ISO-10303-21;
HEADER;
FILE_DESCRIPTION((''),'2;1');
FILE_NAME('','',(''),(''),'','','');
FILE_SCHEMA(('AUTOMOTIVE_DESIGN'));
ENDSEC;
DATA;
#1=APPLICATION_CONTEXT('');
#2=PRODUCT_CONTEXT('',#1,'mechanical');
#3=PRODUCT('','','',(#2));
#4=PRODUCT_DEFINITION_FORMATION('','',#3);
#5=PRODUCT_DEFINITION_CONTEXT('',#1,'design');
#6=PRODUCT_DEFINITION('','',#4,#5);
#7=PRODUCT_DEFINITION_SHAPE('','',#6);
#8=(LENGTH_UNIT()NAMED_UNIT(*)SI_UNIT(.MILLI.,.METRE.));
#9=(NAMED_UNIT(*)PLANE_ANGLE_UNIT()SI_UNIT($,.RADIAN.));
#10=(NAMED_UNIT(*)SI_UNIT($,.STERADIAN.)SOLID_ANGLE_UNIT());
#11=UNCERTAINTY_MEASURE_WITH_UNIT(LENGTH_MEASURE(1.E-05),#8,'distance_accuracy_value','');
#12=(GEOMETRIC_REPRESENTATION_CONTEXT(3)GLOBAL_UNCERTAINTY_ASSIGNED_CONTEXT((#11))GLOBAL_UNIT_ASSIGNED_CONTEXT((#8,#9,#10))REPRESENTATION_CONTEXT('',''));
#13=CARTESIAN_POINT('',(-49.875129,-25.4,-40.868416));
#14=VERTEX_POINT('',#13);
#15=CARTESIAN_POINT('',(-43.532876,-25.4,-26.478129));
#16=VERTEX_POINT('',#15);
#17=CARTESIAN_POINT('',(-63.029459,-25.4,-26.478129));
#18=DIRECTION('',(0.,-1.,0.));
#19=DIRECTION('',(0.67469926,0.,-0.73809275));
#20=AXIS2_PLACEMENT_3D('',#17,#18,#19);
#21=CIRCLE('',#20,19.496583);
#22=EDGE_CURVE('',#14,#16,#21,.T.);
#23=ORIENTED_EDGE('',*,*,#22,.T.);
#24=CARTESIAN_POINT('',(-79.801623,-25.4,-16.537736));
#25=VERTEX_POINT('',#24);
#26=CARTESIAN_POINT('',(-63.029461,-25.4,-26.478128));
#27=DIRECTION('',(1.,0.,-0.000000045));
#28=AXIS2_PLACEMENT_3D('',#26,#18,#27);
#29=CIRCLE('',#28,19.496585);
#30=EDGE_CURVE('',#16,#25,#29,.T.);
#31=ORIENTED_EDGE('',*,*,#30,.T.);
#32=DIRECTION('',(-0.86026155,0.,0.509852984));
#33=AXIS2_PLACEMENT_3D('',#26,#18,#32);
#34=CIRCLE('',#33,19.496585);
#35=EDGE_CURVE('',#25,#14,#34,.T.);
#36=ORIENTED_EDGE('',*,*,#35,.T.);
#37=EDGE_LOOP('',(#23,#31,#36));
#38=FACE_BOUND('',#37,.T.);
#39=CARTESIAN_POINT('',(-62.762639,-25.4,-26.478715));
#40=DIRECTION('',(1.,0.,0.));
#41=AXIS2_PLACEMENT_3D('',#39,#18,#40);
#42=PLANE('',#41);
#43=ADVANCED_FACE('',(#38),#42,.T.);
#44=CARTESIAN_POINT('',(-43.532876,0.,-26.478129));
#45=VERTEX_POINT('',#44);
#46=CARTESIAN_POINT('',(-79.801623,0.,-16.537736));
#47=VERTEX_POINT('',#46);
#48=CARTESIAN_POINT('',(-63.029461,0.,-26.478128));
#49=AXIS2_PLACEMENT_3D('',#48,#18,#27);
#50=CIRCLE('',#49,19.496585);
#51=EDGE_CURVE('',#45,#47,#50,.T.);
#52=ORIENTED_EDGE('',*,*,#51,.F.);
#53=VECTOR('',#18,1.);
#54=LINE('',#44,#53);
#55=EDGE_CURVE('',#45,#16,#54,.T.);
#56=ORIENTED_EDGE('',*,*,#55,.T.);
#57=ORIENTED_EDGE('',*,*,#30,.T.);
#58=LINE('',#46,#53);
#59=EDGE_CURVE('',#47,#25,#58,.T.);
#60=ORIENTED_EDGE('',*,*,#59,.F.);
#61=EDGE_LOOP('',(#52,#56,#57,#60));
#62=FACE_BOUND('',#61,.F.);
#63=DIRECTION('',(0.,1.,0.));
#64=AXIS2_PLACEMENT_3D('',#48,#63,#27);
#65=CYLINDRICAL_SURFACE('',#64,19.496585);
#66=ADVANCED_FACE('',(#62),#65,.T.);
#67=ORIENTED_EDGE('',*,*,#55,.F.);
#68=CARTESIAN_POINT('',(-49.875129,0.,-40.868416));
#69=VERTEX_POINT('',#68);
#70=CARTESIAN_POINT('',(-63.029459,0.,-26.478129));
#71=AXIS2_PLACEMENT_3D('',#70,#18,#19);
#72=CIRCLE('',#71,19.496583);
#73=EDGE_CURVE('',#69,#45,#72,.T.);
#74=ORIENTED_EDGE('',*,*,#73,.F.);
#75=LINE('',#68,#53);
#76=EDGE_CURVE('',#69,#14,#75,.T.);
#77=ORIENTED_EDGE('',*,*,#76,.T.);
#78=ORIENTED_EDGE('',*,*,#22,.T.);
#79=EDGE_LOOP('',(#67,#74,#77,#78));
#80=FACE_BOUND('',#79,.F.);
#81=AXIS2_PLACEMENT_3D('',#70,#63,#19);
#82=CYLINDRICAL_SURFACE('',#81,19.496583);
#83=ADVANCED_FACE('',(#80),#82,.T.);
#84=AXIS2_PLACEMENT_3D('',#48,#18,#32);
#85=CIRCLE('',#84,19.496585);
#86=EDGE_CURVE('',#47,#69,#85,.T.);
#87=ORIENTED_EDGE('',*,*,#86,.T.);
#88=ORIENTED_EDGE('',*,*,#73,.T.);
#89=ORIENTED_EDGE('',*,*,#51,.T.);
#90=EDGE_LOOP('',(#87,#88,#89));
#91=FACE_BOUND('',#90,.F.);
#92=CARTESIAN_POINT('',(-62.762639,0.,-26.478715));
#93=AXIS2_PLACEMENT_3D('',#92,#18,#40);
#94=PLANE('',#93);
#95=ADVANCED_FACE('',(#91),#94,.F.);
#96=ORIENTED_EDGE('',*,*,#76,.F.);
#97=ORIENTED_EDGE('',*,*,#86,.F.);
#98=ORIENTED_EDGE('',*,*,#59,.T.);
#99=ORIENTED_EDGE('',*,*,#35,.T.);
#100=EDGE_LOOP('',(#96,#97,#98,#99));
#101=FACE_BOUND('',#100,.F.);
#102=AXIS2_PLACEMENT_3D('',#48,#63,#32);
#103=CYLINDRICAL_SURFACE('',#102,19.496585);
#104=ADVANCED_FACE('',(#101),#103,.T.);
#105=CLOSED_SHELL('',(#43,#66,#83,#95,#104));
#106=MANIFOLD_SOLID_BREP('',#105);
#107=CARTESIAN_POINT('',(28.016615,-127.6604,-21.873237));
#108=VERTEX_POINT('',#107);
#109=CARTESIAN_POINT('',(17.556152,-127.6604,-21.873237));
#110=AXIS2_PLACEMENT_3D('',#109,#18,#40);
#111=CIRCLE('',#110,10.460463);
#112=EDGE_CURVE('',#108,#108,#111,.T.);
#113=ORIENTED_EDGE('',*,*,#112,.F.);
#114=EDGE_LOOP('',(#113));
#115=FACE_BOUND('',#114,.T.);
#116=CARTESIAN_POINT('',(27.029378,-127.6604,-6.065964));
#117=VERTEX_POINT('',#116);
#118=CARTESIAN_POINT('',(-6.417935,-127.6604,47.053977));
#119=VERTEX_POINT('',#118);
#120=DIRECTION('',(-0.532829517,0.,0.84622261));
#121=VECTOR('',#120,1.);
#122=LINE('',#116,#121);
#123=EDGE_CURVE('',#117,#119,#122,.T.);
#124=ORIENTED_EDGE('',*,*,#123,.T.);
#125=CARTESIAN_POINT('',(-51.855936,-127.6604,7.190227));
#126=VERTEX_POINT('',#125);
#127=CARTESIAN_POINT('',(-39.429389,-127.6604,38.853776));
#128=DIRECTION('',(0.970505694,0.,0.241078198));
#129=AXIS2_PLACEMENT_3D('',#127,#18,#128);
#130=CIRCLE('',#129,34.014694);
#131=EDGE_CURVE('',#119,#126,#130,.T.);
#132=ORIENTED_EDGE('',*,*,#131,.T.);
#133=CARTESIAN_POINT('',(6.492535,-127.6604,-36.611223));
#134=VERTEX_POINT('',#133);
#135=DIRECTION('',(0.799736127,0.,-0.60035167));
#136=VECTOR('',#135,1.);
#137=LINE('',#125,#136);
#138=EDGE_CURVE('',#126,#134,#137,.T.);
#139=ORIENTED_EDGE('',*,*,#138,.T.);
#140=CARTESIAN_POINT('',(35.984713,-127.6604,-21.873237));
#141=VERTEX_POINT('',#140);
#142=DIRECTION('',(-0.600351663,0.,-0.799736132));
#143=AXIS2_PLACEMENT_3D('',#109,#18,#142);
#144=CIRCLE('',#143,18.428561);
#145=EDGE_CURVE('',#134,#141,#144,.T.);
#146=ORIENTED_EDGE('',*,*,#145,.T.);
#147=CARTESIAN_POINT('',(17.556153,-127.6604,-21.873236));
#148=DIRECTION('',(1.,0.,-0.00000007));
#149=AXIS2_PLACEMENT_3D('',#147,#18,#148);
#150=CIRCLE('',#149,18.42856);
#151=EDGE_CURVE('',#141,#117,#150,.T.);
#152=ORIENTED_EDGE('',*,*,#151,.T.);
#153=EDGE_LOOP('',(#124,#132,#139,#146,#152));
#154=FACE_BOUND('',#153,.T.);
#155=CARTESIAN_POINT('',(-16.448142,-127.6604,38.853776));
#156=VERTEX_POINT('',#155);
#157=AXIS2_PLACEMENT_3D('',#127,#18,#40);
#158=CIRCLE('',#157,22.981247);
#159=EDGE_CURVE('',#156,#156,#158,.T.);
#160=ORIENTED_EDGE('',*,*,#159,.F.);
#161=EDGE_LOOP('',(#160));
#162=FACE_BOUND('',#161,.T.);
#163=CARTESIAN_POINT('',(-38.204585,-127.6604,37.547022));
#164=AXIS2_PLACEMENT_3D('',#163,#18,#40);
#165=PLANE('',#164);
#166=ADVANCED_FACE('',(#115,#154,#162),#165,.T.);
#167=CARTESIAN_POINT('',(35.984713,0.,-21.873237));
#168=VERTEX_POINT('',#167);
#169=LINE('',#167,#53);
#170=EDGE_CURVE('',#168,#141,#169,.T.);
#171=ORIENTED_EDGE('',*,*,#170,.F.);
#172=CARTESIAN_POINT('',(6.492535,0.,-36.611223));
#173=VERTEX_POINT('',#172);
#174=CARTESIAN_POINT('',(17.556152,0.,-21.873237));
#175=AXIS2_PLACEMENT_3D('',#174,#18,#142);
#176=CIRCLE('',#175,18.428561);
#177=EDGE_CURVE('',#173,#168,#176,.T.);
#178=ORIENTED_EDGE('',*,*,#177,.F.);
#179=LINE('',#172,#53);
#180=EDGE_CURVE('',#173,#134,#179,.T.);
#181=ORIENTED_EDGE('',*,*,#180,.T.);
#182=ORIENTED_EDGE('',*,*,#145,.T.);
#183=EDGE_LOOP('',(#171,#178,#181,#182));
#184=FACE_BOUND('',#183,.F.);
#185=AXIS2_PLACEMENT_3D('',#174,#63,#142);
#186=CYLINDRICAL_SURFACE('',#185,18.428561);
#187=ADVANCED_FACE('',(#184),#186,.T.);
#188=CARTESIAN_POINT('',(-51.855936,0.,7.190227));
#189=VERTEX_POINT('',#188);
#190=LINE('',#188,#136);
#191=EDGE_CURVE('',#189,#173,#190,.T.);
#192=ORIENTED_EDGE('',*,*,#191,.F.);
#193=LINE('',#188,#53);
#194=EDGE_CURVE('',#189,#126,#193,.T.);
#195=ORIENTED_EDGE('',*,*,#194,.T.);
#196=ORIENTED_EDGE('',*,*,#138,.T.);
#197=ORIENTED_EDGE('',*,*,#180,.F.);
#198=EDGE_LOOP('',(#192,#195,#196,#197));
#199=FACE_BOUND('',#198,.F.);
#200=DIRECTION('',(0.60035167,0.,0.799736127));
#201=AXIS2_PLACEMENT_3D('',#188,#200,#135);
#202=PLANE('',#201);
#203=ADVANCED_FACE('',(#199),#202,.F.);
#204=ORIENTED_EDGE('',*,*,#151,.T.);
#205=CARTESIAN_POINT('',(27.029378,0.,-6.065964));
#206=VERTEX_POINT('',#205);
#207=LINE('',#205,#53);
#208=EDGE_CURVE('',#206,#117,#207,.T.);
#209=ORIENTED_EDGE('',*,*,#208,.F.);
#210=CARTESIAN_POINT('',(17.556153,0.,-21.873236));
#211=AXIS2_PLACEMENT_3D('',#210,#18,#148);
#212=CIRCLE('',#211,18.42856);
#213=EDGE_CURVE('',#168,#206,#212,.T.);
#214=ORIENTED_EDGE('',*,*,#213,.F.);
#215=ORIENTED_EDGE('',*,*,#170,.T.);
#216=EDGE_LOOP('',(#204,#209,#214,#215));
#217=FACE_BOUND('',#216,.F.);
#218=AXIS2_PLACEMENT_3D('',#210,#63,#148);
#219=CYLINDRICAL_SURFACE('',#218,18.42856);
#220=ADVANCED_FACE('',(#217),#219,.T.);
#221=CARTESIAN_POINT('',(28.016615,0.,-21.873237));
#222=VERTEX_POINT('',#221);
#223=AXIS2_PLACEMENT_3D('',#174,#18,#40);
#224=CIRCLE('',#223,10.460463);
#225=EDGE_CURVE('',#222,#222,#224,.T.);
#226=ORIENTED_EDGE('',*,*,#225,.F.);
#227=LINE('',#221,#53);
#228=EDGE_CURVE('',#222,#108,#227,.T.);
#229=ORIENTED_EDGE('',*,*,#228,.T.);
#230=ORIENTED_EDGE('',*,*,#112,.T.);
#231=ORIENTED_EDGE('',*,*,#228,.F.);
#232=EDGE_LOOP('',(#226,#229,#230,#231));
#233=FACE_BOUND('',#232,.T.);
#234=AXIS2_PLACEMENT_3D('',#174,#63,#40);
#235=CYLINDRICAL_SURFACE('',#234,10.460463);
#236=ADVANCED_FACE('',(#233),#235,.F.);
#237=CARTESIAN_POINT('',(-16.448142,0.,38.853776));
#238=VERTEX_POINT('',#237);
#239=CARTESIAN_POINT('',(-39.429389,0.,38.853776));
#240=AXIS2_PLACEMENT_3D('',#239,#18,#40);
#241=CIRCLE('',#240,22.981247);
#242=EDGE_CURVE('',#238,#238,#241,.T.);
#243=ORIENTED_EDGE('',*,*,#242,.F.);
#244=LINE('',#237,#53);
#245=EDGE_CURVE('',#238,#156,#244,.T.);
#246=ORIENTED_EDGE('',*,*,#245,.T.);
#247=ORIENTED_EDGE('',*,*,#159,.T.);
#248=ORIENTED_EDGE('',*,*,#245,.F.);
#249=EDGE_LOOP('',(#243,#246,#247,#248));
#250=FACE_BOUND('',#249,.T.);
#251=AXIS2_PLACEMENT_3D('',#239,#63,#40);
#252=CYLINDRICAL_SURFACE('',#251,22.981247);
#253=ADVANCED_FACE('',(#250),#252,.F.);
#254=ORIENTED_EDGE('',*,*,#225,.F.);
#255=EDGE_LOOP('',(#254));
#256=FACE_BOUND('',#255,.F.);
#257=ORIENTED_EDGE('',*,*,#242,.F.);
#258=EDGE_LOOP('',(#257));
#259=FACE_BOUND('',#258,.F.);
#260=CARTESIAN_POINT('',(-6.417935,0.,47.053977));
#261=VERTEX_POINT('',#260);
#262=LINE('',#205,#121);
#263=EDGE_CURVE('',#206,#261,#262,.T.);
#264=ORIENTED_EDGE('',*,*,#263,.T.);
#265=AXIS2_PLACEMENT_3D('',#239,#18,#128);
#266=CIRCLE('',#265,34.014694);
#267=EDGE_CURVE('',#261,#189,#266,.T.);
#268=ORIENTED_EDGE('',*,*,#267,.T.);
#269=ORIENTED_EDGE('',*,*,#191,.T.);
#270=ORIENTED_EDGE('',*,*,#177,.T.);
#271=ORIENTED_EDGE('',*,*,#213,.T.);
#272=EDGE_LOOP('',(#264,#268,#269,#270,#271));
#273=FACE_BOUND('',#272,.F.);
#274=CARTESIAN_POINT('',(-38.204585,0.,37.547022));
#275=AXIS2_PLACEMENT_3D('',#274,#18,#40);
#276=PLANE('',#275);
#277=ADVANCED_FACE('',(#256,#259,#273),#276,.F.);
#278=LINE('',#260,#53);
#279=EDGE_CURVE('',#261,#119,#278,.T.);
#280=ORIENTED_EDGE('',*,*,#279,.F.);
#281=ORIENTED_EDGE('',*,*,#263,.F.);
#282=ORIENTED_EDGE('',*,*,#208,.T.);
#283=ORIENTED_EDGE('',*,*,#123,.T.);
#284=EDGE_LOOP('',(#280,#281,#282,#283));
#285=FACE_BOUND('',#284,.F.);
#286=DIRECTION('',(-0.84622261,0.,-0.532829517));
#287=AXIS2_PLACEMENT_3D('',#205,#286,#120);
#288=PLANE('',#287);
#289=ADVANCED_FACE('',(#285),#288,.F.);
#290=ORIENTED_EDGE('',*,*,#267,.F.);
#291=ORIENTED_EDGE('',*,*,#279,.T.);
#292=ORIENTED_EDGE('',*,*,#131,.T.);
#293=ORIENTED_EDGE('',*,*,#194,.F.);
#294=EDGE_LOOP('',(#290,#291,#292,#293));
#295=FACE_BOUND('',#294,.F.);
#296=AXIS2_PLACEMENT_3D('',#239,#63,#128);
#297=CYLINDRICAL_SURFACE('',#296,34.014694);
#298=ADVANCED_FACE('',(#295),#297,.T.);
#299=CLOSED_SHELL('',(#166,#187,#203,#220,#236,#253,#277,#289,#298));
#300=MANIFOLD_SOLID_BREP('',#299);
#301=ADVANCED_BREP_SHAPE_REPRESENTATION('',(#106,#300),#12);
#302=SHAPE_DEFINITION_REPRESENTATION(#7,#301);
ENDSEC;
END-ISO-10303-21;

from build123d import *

# Parameters (mm, degrees)
F0_R     = 22.981247
F0_R_2   = 10.460463
F1_DEPTH = 127.6604
F3_DEPTH = 25.4


with BuildPart() as f1:
    # F0 (on Front) → F1 (new body)
    with BuildSketch(Plane.XZ):
        with BuildLine():
            ThreePointArc((-51.855936, 7.190227), (-20.268045, 10.749642), (-5.414695, 38.853776))
            ThreePointArc((-5.414695, 38.853776), (-5.666436, 42.984448), (-6.417935, 47.053977))
            ThreePointArc((-6.417935, 47.053977), (-61.861826, 64.422999), (-51.855936, 7.190227))
        make_face()
        with Locations((-39.429389, 38.853776)):
            Circle(F0_R, mode=Mode.SUBTRACT)
        with BuildLine():
            ThreePointArc((-6.417935, 47.053977), (-5.666436, 42.984448), (-5.414695, 38.853776))
            ThreePointArc((-5.414695, 38.853776), (-20.268045, 10.749642), (-51.855936, 7.190227))
            Line((-51.855936, 7.190227), (6.492535, -36.611223))
            ThreePointArc((6.492535, -36.611223), (2.262835, -11.590906), (27.029378, -6.065964))
            Line((27.029378, -6.065964), (-6.417935, 47.053977))
        make_face()
        with BuildLine():
            ThreePointArc((35.984713, -21.873237), (33.590331, -12.789351), (27.029378, -6.065964))
            ThreePointArc((27.029378, -6.065964), (2.262835, -11.590906), (6.492535, -36.611223))
            ThreePointArc((6.492535, -36.611223), (25.794032, -38.358054), (35.984713, -21.873237))
        make_face()
        with Locations((17.556152, -21.873237)):
            Circle(F0_R_2, mode=Mode.SUBTRACT)
    extrude(amount=F1_DEPTH)


with BuildPart() as f3:
    # F2 (on Front) → F3 (new body)
    with BuildSketch(Plane.XZ):
        with BuildLine():
            ThreePointArc((-49.875129, -40.868416), (-45.188758, -34.341089), (-43.532876, -26.478129))
            ThreePointArc((-43.532876, -26.478129), (-57.875969, -7.674981), (-79.801623, -16.537736))
            ThreePointArc((-79.801623, -16.537736), (-75.328553, -41.605889), (-49.875129, -40.868416))
        make_face()
    extrude(amount=F3_DEPTH)


solid = Compound([f1.part, f3.part])
